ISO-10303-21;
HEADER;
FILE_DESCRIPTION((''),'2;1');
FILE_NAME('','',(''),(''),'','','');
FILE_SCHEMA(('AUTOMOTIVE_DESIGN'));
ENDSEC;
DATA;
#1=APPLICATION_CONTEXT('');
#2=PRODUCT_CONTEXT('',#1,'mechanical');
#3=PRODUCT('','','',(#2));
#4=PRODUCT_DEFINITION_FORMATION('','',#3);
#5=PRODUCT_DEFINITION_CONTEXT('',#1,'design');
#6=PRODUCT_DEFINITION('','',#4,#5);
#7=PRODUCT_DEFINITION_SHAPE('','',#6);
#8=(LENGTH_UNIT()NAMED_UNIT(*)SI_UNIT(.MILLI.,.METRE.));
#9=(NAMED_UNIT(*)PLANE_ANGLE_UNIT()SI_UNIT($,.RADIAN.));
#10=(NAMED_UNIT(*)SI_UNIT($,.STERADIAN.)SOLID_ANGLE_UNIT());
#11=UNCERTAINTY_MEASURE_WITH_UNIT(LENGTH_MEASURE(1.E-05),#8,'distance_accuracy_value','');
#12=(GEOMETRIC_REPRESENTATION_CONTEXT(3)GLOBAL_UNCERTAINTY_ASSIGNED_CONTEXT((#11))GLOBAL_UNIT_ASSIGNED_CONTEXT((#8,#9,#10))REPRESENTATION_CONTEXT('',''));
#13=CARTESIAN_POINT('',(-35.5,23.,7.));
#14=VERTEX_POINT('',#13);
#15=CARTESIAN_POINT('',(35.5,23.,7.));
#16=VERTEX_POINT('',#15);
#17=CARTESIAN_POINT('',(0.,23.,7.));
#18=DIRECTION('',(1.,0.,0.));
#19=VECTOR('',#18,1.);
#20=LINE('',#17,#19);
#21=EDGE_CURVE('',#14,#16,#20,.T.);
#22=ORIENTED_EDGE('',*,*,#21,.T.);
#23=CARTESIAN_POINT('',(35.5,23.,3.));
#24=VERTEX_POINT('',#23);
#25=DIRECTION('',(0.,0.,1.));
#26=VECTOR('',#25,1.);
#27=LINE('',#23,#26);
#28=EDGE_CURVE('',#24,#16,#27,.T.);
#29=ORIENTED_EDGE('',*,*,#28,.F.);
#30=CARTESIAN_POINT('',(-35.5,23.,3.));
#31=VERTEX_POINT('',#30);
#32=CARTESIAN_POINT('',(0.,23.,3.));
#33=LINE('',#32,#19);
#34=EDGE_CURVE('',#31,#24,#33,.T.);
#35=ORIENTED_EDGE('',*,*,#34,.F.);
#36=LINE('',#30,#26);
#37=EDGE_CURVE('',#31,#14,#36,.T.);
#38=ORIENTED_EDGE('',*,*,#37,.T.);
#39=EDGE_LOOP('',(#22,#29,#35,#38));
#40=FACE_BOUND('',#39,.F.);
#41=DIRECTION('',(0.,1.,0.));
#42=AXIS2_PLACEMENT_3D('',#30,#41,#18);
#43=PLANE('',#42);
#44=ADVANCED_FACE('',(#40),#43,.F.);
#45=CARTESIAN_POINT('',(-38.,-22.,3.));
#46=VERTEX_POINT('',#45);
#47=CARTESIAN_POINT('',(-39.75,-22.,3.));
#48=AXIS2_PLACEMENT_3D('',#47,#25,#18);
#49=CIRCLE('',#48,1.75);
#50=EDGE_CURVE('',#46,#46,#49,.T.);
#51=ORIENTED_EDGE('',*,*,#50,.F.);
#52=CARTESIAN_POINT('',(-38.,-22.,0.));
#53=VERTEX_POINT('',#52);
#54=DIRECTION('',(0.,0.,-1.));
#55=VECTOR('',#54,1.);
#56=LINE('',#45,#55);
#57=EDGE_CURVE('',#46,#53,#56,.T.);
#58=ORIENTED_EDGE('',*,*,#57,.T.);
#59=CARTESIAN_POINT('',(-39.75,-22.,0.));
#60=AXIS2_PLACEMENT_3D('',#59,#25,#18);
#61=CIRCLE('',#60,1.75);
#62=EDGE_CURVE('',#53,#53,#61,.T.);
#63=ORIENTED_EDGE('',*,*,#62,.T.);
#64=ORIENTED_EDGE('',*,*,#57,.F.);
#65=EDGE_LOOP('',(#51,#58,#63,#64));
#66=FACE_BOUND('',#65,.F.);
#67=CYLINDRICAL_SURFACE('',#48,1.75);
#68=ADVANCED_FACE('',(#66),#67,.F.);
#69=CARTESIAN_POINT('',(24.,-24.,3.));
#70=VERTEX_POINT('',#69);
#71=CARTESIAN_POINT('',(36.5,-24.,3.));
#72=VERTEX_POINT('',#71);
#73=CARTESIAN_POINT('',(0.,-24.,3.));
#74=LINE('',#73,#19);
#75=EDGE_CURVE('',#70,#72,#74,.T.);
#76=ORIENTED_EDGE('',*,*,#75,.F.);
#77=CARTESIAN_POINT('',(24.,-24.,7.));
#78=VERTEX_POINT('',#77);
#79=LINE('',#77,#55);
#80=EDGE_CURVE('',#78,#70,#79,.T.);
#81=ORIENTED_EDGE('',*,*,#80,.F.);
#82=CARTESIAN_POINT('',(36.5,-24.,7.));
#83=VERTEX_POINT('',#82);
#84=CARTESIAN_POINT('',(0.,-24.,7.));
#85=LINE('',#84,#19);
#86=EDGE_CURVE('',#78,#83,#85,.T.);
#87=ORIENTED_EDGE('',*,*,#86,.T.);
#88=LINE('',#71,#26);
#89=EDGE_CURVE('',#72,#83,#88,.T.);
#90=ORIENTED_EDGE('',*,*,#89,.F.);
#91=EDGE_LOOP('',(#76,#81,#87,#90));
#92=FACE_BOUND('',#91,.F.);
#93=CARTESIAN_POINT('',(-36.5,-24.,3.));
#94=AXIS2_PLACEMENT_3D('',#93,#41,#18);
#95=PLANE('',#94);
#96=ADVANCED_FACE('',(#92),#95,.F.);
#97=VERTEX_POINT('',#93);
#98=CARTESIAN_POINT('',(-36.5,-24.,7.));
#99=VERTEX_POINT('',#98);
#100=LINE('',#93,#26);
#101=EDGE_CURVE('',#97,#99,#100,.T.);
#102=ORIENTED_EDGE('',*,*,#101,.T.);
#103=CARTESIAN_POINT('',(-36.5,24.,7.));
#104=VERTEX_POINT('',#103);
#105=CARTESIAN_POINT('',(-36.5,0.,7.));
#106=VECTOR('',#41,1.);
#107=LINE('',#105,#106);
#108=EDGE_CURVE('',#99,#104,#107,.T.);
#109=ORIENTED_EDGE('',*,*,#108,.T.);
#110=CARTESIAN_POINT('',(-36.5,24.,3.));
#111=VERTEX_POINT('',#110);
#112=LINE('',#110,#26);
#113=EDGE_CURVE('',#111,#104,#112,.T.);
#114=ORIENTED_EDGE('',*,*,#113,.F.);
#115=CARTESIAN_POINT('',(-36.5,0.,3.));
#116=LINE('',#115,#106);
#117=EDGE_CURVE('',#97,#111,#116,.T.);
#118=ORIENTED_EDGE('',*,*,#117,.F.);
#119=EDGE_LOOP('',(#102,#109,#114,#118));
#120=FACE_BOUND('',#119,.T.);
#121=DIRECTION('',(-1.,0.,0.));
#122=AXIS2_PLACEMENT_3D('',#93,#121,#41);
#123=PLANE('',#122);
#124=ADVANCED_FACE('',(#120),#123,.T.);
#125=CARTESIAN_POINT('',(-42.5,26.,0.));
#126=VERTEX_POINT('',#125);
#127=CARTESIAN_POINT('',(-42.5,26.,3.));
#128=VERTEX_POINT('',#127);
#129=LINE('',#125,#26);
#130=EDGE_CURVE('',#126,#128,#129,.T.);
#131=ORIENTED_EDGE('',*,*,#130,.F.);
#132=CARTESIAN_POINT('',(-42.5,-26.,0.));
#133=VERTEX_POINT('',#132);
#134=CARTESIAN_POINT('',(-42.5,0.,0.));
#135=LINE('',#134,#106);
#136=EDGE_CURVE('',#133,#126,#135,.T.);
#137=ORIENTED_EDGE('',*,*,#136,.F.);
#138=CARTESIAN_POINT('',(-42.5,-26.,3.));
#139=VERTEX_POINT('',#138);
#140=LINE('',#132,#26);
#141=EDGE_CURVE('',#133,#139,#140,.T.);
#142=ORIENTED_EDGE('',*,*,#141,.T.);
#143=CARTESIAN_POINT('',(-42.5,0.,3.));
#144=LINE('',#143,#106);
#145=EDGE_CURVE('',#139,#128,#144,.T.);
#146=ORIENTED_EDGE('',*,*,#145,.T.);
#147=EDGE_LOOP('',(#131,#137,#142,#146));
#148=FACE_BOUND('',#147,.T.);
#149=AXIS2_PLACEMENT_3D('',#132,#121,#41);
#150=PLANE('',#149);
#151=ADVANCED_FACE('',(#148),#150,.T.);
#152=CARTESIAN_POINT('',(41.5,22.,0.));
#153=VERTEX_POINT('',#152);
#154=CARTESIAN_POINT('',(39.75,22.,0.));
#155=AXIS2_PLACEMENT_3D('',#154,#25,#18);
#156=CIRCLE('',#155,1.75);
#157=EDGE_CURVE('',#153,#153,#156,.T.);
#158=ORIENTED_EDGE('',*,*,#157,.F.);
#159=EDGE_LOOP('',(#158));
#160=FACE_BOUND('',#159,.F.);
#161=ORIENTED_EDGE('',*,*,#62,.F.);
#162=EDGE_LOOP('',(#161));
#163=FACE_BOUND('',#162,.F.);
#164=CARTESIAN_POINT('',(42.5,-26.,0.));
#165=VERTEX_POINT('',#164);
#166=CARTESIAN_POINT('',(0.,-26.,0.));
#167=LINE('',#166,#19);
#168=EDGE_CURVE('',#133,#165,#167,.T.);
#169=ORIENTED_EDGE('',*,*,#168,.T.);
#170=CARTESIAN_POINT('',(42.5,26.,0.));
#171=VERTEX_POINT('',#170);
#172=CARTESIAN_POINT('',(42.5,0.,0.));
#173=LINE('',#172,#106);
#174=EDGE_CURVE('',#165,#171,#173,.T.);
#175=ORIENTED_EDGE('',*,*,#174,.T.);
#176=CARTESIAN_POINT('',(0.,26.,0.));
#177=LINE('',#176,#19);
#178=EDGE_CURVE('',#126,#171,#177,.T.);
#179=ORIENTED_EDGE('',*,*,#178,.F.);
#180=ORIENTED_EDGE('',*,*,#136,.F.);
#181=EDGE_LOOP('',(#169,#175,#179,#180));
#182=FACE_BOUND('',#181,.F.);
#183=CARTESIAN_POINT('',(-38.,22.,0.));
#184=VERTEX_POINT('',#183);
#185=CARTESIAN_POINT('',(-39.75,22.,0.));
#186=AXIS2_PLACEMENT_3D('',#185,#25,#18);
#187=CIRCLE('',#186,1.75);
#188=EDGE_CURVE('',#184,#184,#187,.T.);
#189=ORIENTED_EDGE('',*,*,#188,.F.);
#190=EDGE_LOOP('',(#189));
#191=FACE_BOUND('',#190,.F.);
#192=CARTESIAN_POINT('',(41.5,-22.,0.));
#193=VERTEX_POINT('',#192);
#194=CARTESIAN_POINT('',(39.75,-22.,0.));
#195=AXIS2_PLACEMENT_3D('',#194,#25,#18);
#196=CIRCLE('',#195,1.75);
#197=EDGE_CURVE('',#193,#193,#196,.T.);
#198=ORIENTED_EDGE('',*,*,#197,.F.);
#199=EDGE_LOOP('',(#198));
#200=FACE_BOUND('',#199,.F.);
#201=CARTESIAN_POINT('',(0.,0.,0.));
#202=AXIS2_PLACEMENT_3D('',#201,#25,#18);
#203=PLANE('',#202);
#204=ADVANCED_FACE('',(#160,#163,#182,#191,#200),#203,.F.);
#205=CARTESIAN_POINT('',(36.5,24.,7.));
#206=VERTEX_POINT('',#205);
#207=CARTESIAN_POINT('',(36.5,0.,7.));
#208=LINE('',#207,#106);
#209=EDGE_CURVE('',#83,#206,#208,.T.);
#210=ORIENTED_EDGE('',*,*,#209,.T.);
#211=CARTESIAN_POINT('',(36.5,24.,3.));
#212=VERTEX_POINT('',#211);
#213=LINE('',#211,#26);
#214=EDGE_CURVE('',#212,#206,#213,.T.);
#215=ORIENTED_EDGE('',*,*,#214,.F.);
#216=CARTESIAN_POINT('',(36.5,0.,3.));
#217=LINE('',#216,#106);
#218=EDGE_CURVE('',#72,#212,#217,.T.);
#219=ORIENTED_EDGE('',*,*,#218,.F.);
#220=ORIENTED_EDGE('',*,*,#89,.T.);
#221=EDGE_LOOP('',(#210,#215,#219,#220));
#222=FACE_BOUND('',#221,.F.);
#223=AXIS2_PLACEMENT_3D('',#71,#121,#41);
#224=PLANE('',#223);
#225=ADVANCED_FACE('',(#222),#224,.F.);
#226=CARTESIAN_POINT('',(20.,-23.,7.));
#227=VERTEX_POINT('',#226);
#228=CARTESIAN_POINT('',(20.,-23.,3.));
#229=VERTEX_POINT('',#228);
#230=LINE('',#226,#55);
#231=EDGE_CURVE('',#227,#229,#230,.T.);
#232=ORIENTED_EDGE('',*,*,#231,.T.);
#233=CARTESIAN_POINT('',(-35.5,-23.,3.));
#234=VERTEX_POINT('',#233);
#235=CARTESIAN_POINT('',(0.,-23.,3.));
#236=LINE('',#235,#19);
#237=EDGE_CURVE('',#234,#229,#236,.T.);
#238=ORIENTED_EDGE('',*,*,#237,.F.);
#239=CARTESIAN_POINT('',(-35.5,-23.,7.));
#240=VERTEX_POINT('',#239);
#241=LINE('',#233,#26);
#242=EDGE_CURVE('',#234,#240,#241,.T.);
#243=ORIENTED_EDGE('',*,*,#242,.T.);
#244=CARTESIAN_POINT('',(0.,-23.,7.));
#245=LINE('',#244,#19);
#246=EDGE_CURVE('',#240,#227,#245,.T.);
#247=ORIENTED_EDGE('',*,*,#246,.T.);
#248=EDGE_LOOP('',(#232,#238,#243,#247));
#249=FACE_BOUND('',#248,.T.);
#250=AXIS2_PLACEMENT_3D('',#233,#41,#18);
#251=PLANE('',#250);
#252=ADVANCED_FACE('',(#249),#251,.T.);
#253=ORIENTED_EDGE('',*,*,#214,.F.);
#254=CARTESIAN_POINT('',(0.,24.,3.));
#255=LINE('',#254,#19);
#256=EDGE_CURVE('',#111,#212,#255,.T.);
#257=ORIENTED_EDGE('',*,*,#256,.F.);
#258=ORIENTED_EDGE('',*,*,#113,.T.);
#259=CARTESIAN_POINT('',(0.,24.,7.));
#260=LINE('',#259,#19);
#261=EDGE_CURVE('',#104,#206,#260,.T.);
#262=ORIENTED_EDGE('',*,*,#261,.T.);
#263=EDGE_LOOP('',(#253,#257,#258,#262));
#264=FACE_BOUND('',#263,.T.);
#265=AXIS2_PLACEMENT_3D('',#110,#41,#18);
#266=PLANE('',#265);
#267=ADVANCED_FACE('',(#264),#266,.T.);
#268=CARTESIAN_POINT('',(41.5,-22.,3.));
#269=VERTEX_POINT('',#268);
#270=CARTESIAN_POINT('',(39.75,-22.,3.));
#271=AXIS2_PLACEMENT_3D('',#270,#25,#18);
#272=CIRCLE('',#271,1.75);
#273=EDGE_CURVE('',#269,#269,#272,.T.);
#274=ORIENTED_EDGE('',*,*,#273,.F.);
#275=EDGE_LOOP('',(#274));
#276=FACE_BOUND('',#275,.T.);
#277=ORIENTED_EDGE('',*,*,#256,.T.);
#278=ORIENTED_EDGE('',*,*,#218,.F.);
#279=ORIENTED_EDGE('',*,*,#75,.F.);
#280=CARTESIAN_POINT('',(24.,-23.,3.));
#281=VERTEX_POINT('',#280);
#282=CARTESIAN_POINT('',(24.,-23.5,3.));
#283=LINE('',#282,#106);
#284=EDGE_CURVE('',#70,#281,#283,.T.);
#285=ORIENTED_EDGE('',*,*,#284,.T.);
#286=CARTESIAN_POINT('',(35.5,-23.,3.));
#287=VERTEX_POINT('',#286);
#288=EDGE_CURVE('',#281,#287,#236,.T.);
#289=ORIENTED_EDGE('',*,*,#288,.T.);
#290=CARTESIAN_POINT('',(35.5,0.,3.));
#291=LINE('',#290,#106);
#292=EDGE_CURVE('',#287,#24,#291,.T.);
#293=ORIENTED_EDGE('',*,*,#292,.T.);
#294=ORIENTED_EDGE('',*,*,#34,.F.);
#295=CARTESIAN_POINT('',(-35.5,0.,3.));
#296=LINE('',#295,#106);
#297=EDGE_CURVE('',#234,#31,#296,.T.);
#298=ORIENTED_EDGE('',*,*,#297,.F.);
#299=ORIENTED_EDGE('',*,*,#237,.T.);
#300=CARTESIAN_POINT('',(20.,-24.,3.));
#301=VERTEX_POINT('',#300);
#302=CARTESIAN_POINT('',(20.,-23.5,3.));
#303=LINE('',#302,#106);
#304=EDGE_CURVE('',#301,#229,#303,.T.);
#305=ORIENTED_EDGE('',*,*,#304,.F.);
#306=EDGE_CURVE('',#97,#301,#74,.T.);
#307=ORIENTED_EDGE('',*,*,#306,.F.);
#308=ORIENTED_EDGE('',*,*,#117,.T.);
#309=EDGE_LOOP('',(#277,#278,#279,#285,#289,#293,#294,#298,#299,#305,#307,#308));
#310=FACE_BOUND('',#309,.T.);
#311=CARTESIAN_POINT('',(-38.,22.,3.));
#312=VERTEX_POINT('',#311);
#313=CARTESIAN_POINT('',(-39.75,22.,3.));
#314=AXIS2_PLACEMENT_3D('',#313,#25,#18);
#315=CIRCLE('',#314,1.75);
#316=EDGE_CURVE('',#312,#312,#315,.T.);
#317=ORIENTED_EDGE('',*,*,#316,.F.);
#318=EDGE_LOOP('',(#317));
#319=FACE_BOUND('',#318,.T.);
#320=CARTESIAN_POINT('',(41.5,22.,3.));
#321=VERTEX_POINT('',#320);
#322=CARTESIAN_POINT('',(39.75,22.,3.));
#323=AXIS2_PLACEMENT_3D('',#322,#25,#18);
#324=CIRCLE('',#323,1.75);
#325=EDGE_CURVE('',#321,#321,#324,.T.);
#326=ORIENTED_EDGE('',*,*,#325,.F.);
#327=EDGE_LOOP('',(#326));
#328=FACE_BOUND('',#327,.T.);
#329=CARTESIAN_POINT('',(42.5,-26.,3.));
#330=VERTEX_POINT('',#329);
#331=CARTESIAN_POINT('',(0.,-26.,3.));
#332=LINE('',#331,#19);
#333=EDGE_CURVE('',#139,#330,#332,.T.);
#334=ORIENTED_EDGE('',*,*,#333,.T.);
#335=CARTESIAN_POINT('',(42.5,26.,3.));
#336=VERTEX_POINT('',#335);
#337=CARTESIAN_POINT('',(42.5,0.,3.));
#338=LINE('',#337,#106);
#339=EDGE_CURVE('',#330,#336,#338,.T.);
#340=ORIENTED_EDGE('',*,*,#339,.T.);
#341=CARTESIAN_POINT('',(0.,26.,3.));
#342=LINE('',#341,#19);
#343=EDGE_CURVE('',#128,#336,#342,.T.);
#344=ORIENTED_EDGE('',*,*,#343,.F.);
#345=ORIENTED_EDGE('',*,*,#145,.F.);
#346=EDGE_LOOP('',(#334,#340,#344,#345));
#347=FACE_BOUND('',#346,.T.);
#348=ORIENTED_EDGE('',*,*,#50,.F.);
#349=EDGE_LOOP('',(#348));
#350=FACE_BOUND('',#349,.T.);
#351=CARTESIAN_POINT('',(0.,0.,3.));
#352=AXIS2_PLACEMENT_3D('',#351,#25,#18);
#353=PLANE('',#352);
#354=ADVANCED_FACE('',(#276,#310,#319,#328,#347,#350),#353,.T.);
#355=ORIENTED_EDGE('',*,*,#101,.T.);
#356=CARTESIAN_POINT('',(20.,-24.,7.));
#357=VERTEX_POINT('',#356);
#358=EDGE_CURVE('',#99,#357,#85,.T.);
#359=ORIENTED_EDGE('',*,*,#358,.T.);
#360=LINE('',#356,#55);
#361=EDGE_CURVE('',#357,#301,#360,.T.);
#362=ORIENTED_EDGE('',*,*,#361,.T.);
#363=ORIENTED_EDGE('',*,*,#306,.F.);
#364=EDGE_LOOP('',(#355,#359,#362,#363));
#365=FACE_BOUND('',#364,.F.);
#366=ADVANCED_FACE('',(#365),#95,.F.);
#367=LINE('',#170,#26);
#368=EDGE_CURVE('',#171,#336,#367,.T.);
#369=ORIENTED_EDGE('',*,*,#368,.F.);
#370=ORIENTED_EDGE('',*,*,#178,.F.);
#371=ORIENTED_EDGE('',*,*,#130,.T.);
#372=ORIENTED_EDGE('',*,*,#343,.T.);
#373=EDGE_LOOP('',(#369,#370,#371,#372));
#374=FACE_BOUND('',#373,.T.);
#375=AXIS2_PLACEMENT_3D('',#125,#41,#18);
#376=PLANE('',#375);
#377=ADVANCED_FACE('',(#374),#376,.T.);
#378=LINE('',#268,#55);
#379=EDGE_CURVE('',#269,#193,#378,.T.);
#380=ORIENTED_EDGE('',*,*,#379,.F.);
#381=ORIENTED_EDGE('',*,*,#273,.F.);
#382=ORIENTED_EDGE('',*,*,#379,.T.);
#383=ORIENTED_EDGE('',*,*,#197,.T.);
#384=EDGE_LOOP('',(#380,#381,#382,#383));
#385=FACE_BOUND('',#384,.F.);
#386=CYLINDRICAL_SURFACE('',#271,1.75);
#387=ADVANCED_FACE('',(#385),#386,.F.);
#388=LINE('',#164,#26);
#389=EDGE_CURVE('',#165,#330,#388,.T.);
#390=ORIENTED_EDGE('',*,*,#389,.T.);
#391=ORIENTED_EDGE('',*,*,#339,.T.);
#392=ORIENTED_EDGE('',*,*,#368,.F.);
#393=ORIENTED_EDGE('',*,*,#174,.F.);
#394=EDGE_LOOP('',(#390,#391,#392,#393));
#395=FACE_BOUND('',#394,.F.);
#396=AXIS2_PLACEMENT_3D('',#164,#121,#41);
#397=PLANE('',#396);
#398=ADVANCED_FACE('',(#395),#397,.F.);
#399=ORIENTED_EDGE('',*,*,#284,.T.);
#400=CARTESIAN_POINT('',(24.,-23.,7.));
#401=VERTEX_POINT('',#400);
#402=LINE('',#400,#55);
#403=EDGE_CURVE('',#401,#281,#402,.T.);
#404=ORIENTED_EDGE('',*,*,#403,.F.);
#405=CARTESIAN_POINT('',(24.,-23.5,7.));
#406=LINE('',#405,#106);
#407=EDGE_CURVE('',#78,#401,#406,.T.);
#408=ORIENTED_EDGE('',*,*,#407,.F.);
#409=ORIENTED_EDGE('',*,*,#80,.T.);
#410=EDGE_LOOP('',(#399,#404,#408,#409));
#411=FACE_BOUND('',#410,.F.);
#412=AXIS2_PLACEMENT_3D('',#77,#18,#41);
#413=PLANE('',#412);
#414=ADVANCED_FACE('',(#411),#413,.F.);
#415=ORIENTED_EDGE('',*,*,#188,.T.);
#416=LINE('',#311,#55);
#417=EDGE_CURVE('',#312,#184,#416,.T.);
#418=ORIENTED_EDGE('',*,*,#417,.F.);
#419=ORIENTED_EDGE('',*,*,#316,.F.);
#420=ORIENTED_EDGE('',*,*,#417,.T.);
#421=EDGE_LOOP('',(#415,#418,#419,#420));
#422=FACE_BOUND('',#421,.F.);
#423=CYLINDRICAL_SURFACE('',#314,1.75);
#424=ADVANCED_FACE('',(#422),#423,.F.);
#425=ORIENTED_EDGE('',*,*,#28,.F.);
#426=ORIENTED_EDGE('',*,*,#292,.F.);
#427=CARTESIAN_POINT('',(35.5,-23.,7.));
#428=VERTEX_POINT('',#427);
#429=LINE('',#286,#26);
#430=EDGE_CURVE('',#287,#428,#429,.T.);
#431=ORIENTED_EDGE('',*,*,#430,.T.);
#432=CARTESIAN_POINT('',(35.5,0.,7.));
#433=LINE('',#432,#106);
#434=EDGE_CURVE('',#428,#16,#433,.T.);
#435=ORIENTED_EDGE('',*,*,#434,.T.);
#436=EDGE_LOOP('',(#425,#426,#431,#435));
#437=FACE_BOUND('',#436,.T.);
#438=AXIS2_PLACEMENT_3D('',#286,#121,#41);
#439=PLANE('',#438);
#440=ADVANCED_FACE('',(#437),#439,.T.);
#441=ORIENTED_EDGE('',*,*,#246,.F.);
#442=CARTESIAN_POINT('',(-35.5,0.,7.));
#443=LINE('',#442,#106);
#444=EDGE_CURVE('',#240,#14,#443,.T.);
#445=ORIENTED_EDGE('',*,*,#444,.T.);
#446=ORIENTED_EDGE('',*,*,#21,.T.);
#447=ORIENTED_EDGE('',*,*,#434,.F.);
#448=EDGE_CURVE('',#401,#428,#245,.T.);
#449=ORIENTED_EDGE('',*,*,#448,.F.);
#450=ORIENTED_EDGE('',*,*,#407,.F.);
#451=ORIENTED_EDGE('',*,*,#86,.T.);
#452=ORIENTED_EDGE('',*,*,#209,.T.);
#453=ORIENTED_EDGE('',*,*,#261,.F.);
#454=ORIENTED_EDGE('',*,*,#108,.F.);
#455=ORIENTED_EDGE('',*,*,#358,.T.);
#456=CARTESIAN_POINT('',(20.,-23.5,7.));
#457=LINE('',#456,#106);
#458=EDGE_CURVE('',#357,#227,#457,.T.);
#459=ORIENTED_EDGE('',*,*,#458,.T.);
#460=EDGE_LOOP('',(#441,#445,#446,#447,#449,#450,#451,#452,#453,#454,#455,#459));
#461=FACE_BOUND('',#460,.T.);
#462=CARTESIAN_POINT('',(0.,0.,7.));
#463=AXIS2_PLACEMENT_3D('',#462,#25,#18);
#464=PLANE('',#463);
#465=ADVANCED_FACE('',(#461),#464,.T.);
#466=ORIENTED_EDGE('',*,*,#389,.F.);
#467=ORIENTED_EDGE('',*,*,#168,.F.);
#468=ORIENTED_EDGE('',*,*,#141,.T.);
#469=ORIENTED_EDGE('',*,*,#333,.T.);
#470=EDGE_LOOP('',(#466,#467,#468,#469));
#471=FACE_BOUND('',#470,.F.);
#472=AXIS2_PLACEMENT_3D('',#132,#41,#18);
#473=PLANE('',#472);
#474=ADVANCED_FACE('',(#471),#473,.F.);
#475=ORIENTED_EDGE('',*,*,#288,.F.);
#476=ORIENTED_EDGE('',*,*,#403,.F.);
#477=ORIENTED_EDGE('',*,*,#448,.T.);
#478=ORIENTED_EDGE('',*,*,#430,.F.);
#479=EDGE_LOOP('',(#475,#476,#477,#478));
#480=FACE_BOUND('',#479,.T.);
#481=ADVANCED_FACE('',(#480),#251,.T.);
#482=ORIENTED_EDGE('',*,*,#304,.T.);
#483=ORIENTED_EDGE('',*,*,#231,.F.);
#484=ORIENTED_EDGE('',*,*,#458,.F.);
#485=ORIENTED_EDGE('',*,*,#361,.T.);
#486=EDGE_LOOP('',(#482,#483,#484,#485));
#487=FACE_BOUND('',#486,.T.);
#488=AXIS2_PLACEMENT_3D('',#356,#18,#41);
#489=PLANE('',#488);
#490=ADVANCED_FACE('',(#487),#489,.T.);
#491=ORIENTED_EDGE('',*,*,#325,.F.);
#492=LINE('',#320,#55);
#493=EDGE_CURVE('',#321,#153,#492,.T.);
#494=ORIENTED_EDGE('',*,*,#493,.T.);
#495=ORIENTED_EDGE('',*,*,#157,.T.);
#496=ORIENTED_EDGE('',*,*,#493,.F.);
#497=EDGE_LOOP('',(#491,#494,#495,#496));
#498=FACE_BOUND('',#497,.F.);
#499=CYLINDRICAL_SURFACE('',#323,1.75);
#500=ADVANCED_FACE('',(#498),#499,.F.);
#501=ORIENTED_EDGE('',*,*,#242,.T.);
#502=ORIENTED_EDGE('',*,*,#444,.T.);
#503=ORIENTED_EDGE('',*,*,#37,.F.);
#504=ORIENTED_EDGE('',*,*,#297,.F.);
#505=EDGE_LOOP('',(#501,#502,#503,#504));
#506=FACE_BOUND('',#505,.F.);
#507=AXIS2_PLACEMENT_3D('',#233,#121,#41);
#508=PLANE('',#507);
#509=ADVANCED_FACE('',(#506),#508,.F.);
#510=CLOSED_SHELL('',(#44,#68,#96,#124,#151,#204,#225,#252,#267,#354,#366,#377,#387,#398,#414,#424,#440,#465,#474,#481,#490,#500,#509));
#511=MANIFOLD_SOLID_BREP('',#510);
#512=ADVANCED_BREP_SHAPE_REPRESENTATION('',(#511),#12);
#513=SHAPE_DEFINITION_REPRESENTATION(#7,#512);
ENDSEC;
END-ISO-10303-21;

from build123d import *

# Parameters (mm, degrees)
F0_W     = 85
F0_H     = 52
F1_DEPTH = 3
F2_R     = 1.75
F3_DEPTH = 25
F4_W     = 73
F4_H     = 48
F4_W_2   = 71
F4_H_2   = 46
F5_DEPTH = 4
F6_W     = 4
F6_H     = 1
F7_DEPTH = 4


with BuildPart() as f1:
    # F0 (on Top) → F1 (new body)
    with BuildSketch(Plane.XY):
        Rectangle(F0_W, F0_H)
    extrude(amount=F1_DEPTH)

    # F2 (on face) → F3 (cut)
    with BuildSketch(Plane.XY.offset(3)):
        with Locations((-39.75, 22)):
            Circle(F2_R)
        with Locations((-39.75, -22)):
            Circle(F2_R)
        with Locations((39.75, 22)):
            Circle(F2_R)
        with Locations((39.75, -22)):
            Circle(F2_R)
    extrude(amount=-F3_DEPTH, mode=Mode.SUBTRACT)

    # F4 (on face) → F5 (join)
    with BuildSketch(Plane.XY.offset(3)):
        Rectangle(F4_W, F4_H)
        Rectangle(F4_W_2, F4_H_2, mode=Mode.SUBTRACT)
    extrude(amount=F5_DEPTH)

    # F6 (on face) → F7 (cut)
    with BuildSketch(Plane.XY.offset(7)):
        with Locations((22, -23.5)):
            Rectangle(F6_W, F6_H)
    extrude(amount=-F7_DEPTH, mode=Mode.SUBTRACT)


solid = f1.part
